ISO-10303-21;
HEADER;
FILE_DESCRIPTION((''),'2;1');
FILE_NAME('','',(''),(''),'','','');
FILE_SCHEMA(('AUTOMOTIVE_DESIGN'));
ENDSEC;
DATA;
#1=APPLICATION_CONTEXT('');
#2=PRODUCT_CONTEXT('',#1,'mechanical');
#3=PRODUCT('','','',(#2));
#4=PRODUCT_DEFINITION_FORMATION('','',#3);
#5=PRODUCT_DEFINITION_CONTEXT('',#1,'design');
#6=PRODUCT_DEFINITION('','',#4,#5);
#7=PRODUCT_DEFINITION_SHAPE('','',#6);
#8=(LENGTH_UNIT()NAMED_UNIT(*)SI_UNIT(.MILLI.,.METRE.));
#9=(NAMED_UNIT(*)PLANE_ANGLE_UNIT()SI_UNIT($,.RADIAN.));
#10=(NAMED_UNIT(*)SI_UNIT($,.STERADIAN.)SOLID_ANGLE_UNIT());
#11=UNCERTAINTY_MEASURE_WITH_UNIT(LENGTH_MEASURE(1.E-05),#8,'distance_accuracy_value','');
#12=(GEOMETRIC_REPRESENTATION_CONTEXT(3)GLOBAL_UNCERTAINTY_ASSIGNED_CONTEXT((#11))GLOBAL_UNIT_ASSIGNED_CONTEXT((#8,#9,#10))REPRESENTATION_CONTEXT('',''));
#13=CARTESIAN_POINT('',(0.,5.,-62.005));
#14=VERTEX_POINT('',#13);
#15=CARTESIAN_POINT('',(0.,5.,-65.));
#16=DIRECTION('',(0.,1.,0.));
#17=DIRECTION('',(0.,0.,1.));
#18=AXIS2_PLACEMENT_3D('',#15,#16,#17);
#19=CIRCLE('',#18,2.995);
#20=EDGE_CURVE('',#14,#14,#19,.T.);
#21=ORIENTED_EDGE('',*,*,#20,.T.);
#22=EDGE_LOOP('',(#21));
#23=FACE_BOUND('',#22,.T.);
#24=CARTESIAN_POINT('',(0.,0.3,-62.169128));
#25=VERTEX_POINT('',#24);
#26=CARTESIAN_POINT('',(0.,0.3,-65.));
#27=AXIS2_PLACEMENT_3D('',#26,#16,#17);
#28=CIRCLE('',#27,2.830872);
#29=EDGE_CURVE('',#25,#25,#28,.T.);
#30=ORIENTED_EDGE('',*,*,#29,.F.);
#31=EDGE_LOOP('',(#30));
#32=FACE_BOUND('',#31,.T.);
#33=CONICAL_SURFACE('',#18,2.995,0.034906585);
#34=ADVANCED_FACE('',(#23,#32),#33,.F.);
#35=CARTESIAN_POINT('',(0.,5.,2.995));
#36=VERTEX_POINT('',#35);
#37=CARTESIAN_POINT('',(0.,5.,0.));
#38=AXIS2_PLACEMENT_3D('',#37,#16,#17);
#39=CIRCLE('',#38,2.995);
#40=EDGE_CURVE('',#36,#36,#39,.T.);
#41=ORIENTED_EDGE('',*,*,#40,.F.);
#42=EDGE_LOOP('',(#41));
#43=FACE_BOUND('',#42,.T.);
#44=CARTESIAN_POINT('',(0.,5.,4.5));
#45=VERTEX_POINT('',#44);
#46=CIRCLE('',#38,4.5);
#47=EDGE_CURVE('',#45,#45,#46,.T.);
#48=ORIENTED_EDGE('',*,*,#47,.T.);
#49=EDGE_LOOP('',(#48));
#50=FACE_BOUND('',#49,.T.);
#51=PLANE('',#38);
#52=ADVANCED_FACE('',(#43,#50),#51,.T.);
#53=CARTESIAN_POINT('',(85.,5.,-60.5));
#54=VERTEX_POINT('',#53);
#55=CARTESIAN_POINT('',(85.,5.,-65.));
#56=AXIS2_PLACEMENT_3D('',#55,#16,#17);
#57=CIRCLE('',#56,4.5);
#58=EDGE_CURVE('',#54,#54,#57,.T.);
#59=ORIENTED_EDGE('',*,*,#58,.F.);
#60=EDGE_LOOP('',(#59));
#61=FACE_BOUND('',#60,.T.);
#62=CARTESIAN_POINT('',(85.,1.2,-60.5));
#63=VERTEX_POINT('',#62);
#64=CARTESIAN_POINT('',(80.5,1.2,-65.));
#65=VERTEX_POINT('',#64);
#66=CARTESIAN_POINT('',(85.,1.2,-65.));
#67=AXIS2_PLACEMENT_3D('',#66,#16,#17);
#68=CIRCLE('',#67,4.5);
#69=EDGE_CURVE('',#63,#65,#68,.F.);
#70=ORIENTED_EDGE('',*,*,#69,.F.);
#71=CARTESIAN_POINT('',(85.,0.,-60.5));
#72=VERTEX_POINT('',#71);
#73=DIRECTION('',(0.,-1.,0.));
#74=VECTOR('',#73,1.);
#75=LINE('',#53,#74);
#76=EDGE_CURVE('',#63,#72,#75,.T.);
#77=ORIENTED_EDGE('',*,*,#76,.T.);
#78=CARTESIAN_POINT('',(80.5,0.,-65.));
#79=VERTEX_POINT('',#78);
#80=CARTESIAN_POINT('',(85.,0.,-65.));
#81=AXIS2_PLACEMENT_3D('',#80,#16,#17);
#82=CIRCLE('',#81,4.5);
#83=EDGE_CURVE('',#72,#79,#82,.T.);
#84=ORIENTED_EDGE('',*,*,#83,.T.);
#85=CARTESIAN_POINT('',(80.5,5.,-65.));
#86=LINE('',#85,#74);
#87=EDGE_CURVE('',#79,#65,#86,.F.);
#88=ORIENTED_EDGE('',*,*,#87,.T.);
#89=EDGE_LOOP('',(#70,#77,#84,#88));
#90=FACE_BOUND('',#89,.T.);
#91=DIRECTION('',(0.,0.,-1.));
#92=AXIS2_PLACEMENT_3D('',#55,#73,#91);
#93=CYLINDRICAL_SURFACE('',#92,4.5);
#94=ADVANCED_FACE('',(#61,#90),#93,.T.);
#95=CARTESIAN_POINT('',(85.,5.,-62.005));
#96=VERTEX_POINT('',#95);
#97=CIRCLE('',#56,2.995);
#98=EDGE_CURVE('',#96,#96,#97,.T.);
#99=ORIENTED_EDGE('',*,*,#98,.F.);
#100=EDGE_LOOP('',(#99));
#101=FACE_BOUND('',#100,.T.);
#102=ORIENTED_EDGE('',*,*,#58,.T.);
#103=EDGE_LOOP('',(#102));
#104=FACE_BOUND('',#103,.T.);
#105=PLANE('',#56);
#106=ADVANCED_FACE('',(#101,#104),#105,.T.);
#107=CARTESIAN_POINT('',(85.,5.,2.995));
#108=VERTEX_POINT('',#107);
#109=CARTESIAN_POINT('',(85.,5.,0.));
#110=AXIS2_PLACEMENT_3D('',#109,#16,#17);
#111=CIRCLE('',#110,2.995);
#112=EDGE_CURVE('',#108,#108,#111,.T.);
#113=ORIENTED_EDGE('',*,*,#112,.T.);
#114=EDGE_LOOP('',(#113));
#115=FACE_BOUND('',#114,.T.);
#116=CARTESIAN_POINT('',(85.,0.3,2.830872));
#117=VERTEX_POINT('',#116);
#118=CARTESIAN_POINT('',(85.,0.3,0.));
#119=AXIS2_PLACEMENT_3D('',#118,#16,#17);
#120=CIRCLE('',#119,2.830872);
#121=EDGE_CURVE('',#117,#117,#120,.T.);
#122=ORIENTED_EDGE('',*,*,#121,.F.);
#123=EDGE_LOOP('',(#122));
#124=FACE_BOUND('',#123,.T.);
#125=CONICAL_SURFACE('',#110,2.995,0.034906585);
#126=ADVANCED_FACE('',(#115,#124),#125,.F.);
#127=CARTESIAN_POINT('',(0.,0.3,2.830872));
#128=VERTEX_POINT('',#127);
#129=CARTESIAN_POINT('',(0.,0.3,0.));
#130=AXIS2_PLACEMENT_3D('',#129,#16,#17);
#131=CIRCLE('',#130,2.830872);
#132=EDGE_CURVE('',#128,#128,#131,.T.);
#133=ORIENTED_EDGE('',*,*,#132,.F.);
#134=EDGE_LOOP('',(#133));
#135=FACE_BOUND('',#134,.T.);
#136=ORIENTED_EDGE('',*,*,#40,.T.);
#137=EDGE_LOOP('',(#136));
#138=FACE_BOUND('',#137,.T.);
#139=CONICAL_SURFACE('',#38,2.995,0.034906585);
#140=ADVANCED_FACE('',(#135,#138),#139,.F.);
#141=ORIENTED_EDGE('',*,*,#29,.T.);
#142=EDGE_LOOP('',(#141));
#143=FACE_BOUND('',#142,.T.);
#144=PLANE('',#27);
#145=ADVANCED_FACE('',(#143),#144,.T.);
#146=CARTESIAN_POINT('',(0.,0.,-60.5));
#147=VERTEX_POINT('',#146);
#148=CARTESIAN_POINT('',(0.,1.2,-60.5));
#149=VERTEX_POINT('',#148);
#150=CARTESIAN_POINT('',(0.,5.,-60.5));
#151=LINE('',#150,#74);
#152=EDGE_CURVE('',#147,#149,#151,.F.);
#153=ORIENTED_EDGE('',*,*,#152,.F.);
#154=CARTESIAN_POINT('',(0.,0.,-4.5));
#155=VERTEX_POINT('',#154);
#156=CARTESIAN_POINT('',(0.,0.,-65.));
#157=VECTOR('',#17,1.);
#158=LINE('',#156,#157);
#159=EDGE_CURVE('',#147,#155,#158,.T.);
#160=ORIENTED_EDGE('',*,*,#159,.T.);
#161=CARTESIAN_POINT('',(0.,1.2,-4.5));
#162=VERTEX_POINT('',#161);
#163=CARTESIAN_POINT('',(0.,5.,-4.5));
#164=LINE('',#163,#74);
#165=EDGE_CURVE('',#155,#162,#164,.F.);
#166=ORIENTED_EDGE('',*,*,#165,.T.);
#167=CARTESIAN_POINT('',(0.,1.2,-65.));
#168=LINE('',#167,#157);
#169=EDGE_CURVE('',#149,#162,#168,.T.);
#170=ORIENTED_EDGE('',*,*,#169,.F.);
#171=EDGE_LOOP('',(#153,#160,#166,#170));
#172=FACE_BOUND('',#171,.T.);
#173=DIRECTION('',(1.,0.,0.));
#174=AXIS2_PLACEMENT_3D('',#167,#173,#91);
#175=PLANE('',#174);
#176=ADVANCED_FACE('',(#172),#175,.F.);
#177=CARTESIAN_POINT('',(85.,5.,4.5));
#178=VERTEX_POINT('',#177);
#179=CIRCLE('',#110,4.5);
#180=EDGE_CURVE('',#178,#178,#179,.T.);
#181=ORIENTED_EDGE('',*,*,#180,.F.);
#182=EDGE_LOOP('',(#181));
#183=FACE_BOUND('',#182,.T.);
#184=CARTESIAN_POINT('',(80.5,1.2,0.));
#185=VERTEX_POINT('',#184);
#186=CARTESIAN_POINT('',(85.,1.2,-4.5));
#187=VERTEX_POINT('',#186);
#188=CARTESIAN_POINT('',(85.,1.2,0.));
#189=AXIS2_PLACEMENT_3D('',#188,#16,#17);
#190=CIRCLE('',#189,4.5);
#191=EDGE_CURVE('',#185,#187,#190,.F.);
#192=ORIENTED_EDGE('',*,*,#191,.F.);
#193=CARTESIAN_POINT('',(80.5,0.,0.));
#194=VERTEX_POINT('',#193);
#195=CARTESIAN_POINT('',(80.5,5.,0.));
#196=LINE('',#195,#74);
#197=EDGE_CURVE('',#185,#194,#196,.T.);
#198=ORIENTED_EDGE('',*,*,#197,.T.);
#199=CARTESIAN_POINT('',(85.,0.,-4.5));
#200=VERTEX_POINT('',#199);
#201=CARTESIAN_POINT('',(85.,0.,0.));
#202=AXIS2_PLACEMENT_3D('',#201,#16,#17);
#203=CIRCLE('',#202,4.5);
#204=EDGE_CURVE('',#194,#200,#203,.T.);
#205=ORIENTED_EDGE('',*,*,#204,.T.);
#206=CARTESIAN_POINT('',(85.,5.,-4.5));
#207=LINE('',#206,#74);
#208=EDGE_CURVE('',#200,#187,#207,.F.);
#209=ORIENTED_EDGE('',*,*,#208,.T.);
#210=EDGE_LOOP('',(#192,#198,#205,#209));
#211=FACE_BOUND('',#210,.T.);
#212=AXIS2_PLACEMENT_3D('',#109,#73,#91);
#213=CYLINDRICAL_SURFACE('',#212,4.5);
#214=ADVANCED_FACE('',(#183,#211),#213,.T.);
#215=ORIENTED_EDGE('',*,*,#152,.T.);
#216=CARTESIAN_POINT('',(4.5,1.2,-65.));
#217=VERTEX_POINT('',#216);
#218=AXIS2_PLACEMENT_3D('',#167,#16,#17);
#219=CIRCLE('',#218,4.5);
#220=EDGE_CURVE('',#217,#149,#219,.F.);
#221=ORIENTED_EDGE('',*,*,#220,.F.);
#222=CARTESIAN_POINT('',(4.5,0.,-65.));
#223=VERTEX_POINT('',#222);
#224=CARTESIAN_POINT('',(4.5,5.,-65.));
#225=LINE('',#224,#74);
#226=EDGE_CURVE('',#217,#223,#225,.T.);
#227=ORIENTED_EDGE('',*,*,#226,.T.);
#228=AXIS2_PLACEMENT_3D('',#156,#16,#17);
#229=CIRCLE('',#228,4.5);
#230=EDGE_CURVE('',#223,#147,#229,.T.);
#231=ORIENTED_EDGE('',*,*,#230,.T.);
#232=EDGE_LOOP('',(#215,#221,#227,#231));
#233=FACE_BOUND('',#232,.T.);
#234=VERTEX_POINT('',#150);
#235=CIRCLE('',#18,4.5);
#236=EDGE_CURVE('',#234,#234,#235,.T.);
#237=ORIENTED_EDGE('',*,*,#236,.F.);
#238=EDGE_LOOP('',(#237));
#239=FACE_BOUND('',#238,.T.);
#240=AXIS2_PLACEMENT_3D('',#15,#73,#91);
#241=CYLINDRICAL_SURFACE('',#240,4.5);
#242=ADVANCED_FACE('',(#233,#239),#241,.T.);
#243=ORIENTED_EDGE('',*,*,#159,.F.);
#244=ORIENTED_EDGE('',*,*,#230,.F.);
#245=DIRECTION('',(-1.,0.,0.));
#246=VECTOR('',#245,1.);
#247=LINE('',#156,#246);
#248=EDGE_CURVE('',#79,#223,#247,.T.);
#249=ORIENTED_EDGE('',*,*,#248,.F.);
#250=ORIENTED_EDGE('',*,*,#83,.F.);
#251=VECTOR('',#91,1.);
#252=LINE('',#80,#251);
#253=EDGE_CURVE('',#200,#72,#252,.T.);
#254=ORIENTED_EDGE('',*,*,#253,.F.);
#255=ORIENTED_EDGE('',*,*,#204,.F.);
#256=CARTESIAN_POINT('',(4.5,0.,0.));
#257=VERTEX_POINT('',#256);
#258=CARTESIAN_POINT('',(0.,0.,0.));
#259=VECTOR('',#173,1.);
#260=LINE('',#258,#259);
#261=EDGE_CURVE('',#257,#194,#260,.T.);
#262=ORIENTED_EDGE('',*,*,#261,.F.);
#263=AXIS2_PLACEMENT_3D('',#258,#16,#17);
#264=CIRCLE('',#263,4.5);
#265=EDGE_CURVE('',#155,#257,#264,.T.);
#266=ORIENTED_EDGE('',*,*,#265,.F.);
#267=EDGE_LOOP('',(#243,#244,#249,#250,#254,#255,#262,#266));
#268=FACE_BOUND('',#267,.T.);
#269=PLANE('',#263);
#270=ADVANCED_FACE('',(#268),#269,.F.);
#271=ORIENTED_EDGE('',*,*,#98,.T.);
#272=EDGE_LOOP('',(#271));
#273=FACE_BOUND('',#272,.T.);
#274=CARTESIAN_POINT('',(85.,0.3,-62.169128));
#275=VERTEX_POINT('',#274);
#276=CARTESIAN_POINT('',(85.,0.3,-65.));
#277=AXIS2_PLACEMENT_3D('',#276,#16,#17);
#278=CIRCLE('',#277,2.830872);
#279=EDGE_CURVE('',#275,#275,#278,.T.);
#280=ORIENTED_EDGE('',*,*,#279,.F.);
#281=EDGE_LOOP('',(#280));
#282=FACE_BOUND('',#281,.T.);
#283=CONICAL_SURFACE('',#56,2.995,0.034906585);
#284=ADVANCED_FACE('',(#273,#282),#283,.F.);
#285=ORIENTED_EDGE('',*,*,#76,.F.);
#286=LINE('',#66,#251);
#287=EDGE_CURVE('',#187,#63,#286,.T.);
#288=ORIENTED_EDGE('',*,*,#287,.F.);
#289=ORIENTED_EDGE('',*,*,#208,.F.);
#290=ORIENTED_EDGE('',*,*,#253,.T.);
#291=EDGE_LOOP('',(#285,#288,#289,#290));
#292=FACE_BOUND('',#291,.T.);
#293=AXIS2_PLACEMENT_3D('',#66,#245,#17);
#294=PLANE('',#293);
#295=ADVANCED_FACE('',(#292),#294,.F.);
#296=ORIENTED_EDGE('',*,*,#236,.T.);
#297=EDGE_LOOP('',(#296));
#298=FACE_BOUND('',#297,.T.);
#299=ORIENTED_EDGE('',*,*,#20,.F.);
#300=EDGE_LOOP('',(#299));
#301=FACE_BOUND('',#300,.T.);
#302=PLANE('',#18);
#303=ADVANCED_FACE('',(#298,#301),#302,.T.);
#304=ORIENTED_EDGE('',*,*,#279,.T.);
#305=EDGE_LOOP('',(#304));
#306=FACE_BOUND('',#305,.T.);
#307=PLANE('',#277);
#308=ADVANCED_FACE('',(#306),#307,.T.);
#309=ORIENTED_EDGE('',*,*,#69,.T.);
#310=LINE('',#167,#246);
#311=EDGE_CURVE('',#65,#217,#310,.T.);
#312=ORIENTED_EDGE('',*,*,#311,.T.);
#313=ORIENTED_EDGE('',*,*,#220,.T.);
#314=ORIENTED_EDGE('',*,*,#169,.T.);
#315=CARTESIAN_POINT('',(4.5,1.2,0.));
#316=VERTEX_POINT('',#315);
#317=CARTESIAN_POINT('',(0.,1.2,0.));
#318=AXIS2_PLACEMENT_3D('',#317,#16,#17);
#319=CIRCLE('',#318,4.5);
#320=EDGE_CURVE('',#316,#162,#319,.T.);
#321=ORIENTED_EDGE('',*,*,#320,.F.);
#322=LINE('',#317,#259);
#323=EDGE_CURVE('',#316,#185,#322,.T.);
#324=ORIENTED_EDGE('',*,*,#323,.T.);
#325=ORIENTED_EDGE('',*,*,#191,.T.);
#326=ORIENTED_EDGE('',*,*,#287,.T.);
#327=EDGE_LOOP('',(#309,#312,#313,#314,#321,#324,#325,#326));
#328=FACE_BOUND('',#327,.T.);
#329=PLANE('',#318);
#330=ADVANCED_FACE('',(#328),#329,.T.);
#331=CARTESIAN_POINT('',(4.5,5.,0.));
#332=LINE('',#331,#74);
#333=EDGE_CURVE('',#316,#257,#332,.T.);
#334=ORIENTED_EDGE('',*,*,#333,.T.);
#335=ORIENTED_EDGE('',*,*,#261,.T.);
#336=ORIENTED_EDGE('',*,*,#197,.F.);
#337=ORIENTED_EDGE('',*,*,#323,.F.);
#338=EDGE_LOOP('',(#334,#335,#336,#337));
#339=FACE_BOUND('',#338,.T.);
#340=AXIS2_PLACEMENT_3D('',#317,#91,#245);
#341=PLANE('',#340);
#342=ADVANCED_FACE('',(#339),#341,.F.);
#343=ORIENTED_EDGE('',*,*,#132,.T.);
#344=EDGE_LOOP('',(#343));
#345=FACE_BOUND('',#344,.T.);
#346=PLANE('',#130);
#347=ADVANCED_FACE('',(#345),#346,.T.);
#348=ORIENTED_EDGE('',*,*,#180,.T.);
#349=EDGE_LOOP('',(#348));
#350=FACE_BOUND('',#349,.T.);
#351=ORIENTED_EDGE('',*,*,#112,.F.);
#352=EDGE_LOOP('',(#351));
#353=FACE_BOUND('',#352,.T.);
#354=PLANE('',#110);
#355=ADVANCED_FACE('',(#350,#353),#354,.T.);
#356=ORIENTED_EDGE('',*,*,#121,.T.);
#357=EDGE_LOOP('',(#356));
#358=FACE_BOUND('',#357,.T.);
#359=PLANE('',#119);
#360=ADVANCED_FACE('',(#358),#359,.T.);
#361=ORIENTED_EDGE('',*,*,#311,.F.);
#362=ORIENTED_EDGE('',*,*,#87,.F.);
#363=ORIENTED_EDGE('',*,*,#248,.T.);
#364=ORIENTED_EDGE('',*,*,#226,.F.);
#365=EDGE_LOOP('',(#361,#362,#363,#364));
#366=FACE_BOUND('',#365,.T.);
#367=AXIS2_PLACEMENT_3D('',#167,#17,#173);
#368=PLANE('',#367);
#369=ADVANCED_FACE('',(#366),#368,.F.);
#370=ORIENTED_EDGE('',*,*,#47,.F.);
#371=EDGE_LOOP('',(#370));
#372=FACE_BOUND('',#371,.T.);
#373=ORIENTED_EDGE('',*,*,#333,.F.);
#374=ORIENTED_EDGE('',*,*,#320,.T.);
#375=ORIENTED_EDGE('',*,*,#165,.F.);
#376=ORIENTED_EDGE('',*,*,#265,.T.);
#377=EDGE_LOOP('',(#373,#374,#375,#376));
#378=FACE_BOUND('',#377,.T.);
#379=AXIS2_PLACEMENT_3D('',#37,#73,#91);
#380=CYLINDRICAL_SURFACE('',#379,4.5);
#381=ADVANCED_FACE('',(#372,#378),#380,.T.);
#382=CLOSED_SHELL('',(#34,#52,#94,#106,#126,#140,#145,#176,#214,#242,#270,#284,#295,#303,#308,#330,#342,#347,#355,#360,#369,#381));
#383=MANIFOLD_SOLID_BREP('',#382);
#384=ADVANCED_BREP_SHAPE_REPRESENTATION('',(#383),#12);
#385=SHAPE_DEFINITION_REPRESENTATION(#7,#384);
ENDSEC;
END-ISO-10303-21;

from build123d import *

# Parameters (mm, degrees)
SKETCH1_R                      = 4.5
BOSSES_DEPTH                   = 5
BOSSES_2_DEPTH                 = 5
BOSSES_3_DEPTH                 = 5
BOSSES_4_DEPTH                 = 5
SKETCH2_W                      = 85
SKETCH2_H                      = 65
BASE_DEPTH                     = 1.2
SKETCH3_R                      = 2.995
INSERT_POCKETS_DEPTH           = 4.7
INSERT_POCKETS_DRAFT           = -2
INSERT_POCKETS_PROFILE_2_DEPTH = 4.7
INSERT_POCKETS_PROFILE_2_DRAFT = -2
INSERT_POCKETS_PROFILE_3_DEPTH = 4.7
INSERT_POCKETS_PROFILE_3_DRAFT = -2
INSERT_POCKETS_PROFILE_4_DEPTH = 4.7
INSERT_POCKETS_PROFILE_4_DRAFT = -2


with BuildPart() as part:
    # Sketch1 → Bosses (new body)
    with BuildSketch(Plane(origin=(0, 0, 0), x_dir=(1, 0, 0), z_dir=(0, 1, 0))):
        with Locations(Location((0, 0, 0), (0, 0, 270))):
            Circle(SKETCH1_R)
    extrude(amount=BOSSES_DEPTH)



with BuildPart() as body_2:
    # Sketch1 → Bosses 2 (new body)
    with BuildSketch(Plane(origin=(0, 0, 0), x_dir=(1, 0, 0), z_dir=(0, 1, 0))):
        with Locations(Location((85, 0, 0), (0, 0, 270))):
            Circle(SKETCH1_R)
    extrude(amount=BOSSES_2_DEPTH)


with BuildPart() as body_3:
    # Sketch1 → Bosses 3 (new body)
    with BuildSketch(Plane(origin=(0, 0, 0), x_dir=(1, 0, 0), z_dir=(0, 1, 0))):
        with Locations(Location((85, 65, 0), (0, 0, 270))):
            Circle(SKETCH1_R)
    extrude(amount=BOSSES_3_DEPTH)


with BuildPart() as body_4:
    # Sketch1 → Bosses 4 (new body)
    with BuildSketch(Plane(origin=(0, 0, 0), x_dir=(1, 0, 0), z_dir=(0, 1, 0))):
        with Locations(Location((0, 65, 0), (0, 0, 270))):
            Circle(SKETCH1_R)
    extrude(amount=BOSSES_4_DEPTH)


with BuildPart() as part_1:
    add(part.part)

    add(body_2.part)  # Base merges body 2

    add(body_3.part)  # Base merges body 3

    add(body_4.part)  # Base merges body 4
    # Sketch2 → Base (add)
    with BuildSketch(Plane(origin=(0, 0, 0), x_dir=(1, 0, 0), z_dir=(0, 1, 0))):
        with Locations((42.5, 32.5)):
            Rectangle(SKETCH2_W, SKETCH2_H)
    extrude(amount=BASE_DEPTH)


with BuildPart() as insert_pockets_tool:
    # Sketch3 → Insert pockets (with draft: the straight prism first)
    with BuildSketch(Plane(origin=(0, 5, 0), x_dir=(1, 0, 0), z_dir=(0, 1, 0))):
        with Locations((0, 65)):
            Circle(SKETCH3_R)
    extrude(amount=-INSERT_POCKETS_DEPTH)
    # Insert pockets: the draft: its side faces are tilted about the plane it starts from
    insert_pockets_sides = [insert_pockets_tool.faces().sort_by_distance(p)[0] for p in [
        (-2.995, 2.65, -65),
    ]]
    draft(insert_pockets_sides, Plane(origin=(0, 5, 0), x_dir=(1, 0, 0), z_dir=(0, 1, 0)), INSERT_POCKETS_DRAFT)


with BuildPart() as part_2:
    add(part_1.part)

    # Insert pockets: cut by insert_pockets_tool
    add(insert_pockets_tool.part, mode=Mode.SUBTRACT)


with BuildPart() as insert_pockets_profile_2_tool:
    # Sketch3 → Insert pockets profile 2 (with draft: the straight prism first)
    with BuildSketch(Plane(origin=(0, 5, 0), x_dir=(1, 0, 0), z_dir=(0, 1, 0))):
        with Locations((85, 65)):
            Circle(SKETCH3_R)
    extrude(amount=-INSERT_POCKETS_PROFILE_2_DEPTH)
    # Insert pockets profile 2: the draft: its side faces are tilted about the plane it starts from
    insert_pockets_profile_2_sides = [insert_pockets_profile_2_tool.faces().sort_by_distance(p)[0] for p in [
        (82.005, 2.65, -65),
    ]]
    draft(insert_pockets_profile_2_sides, Plane(origin=(0, 5, 0), x_dir=(1, 0, 0), z_dir=(0, 1, 0)), INSERT_POCKETS_PROFILE_2_DRAFT)


with BuildPart() as part_3:
    add(part_2.part)

    # Insert pockets profile 2: cut by insert_pockets_profile_2_tool
    add(insert_pockets_profile_2_tool.part, mode=Mode.SUBTRACT)


with BuildPart() as insert_pockets_profile_3_tool:
    # Sketch3 → Insert pockets profile 3 (with draft: the straight prism first)
    with BuildSketch(Plane(origin=(0, 5, 0), x_dir=(1, 0, 0), z_dir=(0, 1, 0))):
        with Locations((85, 0)):
            Circle(SKETCH3_R)
    extrude(amount=-INSERT_POCKETS_PROFILE_3_DEPTH)
    # Insert pockets profile 3: the draft: its side faces are tilted about the plane it starts from
    insert_pockets_profile_3_sides = [insert_pockets_profile_3_tool.faces().sort_by_distance(p)[0] for p in [
        (82.005, 2.65, 0),
    ]]
    draft(insert_pockets_profile_3_sides, Plane(origin=(0, 5, 0), x_dir=(1, 0, 0), z_dir=(0, 1, 0)), INSERT_POCKETS_PROFILE_3_DRAFT)


with BuildPart() as part_4:
    add(part_3.part)

    # Insert pockets profile 3: cut by insert_pockets_profile_3_tool
    add(insert_pockets_profile_3_tool.part, mode=Mode.SUBTRACT)


with BuildPart() as insert_pockets_profile_4_tool:
    # Sketch3 → Insert pockets profile 4 (with draft: the straight prism first)
    with BuildSketch(Plane(origin=(0, 5, 0), x_dir=(1, 0, 0), z_dir=(0, 1, 0))):
        Circle(SKETCH3_R)
    extrude(amount=-INSERT_POCKETS_PROFILE_4_DEPTH)
    # Insert pockets profile 4: the draft: its side faces are tilted about the plane it starts from
    insert_pockets_profile_4_sides = [insert_pockets_profile_4_tool.faces().sort_by_distance(p)[0] for p in [
        (-2.995, 2.65, 0),
    ]]
    draft(insert_pockets_profile_4_sides, Plane(origin=(0, 5, 0), x_dir=(1, 0, 0), z_dir=(0, 1, 0)), INSERT_POCKETS_PROFILE_4_DRAFT)


with BuildPart() as part_5:
    add(part_4.part)

    # Insert pockets profile 4: cut by insert_pockets_profile_4_tool
    add(insert_pockets_profile_4_tool.part, mode=Mode.SUBTRACT)


solid = part_5.part
